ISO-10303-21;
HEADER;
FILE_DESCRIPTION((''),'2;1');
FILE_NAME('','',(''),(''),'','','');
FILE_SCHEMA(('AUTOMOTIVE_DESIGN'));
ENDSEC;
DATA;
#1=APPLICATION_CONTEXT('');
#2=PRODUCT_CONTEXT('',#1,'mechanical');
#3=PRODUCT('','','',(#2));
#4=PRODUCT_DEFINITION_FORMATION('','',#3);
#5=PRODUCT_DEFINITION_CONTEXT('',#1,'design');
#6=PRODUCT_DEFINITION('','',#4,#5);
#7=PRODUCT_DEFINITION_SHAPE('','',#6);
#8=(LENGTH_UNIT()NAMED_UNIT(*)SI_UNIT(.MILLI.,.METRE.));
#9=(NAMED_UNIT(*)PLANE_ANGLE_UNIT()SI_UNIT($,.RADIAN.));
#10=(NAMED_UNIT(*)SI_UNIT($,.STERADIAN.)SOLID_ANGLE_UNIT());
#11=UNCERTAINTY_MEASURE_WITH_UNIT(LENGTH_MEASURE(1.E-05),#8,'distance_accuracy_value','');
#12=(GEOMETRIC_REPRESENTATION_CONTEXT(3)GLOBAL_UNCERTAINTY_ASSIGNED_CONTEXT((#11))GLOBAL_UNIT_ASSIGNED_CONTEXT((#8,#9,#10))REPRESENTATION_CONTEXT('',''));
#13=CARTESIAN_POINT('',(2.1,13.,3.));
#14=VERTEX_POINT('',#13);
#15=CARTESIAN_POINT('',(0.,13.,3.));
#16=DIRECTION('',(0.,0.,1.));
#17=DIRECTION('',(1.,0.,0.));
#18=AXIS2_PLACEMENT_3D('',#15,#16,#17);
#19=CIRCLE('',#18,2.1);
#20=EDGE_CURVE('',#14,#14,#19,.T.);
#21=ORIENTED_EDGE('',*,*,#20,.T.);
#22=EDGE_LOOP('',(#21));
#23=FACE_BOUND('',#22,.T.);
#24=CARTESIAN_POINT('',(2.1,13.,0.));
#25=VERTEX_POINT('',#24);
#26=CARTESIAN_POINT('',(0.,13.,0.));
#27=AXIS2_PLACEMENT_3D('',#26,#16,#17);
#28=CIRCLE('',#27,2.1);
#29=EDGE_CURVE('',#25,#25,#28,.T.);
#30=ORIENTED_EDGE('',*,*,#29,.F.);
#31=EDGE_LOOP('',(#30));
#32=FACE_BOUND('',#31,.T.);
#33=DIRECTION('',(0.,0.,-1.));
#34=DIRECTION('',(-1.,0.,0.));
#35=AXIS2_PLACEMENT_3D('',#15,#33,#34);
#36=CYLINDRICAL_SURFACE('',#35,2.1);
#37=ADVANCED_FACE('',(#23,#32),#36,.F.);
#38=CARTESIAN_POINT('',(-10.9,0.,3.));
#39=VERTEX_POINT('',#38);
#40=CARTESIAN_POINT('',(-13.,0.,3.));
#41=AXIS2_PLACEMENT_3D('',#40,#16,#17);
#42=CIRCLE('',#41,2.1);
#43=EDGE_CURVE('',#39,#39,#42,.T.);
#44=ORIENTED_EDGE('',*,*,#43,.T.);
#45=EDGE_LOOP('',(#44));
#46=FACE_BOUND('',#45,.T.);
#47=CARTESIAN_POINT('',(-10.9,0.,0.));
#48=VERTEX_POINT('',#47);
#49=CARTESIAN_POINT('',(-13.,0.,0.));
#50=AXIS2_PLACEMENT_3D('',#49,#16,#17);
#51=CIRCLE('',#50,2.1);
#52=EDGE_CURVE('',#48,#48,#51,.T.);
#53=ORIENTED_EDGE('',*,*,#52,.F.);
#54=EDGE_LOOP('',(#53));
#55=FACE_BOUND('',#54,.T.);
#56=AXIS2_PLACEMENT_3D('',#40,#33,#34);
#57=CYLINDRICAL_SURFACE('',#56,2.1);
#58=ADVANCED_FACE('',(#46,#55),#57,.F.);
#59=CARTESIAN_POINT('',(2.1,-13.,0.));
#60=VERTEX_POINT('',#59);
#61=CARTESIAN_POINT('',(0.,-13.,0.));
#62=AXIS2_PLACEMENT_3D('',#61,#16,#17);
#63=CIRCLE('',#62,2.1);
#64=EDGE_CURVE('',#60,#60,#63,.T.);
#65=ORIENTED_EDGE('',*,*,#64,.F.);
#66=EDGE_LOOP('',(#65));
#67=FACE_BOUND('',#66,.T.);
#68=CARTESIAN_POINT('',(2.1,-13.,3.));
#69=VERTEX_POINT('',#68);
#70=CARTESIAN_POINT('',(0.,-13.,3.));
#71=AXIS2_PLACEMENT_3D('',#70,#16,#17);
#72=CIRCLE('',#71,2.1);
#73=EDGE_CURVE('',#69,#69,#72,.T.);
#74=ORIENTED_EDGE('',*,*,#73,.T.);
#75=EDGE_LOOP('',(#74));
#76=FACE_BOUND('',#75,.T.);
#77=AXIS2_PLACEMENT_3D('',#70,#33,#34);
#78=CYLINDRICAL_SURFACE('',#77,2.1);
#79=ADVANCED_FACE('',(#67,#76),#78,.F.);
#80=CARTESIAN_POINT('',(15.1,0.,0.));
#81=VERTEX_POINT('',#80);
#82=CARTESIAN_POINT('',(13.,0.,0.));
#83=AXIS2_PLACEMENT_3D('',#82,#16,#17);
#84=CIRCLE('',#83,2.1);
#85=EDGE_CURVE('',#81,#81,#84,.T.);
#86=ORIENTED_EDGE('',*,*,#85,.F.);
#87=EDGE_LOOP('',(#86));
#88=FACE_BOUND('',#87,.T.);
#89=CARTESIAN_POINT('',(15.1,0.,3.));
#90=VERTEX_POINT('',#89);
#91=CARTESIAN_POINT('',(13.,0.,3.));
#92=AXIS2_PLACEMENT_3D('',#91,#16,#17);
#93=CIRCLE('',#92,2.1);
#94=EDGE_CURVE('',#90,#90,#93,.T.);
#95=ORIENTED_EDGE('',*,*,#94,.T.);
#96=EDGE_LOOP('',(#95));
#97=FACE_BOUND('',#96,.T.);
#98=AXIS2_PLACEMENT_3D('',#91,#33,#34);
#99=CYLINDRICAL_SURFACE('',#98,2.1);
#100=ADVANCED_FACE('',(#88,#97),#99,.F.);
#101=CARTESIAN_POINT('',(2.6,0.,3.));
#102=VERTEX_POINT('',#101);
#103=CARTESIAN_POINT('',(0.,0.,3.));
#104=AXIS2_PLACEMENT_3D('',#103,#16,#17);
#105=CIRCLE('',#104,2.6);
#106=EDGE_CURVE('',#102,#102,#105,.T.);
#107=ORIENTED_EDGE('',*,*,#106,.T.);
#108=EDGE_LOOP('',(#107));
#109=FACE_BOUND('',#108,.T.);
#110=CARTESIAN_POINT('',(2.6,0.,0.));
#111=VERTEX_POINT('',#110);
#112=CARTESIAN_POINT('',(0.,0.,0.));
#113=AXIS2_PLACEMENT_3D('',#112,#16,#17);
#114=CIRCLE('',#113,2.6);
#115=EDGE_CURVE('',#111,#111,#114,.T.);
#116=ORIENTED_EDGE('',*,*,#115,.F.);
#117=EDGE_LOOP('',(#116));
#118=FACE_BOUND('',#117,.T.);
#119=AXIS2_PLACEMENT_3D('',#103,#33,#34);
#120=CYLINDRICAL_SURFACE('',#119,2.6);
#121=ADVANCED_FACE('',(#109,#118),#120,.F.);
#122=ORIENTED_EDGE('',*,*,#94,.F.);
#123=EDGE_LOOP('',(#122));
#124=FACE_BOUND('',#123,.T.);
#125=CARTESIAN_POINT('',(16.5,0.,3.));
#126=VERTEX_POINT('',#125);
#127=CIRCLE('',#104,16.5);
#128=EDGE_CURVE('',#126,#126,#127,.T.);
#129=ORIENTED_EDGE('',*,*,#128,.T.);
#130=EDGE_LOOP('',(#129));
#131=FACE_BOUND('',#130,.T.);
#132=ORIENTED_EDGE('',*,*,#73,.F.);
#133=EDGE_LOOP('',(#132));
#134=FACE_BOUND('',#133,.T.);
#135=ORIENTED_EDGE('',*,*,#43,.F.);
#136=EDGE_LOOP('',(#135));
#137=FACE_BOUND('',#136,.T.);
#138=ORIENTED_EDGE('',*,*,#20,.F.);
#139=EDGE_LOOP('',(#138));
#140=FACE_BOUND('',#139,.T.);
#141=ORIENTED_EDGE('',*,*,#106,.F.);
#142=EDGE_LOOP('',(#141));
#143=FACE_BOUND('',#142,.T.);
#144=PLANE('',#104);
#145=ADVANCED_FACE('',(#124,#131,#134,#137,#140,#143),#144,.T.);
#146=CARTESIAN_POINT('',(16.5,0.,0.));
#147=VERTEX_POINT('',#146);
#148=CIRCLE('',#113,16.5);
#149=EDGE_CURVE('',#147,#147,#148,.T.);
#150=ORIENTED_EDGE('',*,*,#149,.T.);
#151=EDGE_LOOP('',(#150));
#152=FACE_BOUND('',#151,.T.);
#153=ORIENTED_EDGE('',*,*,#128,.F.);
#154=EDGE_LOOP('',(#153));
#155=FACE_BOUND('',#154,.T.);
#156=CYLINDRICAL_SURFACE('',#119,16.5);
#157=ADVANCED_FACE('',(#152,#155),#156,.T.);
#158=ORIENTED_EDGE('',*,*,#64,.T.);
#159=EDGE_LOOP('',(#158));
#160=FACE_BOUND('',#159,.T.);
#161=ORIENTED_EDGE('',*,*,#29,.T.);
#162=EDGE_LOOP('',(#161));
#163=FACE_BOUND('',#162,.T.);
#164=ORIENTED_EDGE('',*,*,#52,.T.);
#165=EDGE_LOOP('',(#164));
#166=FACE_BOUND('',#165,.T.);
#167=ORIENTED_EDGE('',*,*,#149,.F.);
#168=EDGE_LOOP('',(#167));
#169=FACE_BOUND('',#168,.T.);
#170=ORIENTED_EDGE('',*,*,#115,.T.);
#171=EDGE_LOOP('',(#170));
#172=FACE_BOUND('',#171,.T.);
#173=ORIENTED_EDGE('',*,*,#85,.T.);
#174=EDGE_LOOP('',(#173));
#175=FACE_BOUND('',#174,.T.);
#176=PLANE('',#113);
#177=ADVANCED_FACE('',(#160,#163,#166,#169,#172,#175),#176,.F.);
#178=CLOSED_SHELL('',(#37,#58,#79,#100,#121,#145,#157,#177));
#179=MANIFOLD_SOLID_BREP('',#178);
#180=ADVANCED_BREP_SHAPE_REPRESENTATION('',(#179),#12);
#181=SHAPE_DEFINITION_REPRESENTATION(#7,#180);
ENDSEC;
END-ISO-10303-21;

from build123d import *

# Parameters (mm, degrees)
SKETCH_1_R      = 16.5
SKETCH_1_R_2    = 2.1
SKETCH_1_R_3    = 2.6
EXTRUDE_1_DEPTH = 3


with BuildPart() as part:
    # 草图1 → 凸台-拉伸1 (new body)
    with BuildSketch(Plane.XY):
        Circle(SKETCH_1_R)
        with Locations((0, 13)):
            Circle(SKETCH_1_R_2, mode=Mode.SUBTRACT)
        with Locations((13, 0)):
            Circle(SKETCH_1_R_2, mode=Mode.SUBTRACT)
        with Locations((0, -13)):
            Circle(SKETCH_1_R_2, mode=Mode.SUBTRACT)
        with Locations((-13, 0)):
            Circle(SKETCH_1_R_2, mode=Mode.SUBTRACT)
        Circle(SKETCH_1_R_3, mode=Mode.SUBTRACT)
    extrude(amount=EXTRUDE_1_DEPTH)


solid = part.part
